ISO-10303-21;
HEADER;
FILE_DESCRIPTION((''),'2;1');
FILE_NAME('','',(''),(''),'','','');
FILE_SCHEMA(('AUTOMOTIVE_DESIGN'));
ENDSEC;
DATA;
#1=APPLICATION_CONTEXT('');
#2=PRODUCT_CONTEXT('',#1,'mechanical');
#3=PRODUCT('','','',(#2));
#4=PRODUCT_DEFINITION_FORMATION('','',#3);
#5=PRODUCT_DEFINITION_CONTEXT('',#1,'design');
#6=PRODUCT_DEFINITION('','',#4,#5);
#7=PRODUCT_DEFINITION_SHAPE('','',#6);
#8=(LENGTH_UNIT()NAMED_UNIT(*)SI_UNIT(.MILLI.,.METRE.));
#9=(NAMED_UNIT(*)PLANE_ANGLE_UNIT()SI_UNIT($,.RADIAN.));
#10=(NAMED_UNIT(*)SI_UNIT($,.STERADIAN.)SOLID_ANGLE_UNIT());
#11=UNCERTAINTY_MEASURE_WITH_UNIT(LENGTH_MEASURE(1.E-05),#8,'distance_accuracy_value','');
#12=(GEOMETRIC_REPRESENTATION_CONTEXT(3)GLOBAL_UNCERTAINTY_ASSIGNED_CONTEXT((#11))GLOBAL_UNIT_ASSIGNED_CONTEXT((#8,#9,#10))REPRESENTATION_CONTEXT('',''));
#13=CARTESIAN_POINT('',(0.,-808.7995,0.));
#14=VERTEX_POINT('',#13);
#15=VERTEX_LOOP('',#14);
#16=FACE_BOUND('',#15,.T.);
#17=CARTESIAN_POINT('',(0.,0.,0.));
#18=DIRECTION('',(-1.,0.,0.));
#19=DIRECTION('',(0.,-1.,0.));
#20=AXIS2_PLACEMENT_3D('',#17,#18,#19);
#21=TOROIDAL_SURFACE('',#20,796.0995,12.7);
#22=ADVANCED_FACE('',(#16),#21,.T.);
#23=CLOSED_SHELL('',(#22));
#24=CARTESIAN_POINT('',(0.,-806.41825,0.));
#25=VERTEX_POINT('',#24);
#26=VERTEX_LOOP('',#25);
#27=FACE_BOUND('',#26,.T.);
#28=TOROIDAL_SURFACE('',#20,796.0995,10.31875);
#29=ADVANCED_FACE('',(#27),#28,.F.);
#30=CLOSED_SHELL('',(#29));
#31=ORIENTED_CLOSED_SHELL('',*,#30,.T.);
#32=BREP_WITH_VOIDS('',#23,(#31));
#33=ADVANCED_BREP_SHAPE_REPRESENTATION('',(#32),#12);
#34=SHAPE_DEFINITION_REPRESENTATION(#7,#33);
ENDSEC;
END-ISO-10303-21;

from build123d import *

# Parameters (mm, degrees)
SKETCH1_R   = 12.7
SKETCH1_R_2 = 10.31875


with BuildPart() as part:
    # Sketch1 → Revolve1 (revolve)
    with BuildSketch(Plane.XY):
        with Locations((0, 796.0995)):
            Circle(SKETCH1_R)
        with Locations((0, 796.0995)):
            Circle(SKETCH1_R_2, mode=Mode.SUBTRACT)
    revolve(axis=Axis((0, 0, 0), (1, 0, 0)))


solid = part.part
